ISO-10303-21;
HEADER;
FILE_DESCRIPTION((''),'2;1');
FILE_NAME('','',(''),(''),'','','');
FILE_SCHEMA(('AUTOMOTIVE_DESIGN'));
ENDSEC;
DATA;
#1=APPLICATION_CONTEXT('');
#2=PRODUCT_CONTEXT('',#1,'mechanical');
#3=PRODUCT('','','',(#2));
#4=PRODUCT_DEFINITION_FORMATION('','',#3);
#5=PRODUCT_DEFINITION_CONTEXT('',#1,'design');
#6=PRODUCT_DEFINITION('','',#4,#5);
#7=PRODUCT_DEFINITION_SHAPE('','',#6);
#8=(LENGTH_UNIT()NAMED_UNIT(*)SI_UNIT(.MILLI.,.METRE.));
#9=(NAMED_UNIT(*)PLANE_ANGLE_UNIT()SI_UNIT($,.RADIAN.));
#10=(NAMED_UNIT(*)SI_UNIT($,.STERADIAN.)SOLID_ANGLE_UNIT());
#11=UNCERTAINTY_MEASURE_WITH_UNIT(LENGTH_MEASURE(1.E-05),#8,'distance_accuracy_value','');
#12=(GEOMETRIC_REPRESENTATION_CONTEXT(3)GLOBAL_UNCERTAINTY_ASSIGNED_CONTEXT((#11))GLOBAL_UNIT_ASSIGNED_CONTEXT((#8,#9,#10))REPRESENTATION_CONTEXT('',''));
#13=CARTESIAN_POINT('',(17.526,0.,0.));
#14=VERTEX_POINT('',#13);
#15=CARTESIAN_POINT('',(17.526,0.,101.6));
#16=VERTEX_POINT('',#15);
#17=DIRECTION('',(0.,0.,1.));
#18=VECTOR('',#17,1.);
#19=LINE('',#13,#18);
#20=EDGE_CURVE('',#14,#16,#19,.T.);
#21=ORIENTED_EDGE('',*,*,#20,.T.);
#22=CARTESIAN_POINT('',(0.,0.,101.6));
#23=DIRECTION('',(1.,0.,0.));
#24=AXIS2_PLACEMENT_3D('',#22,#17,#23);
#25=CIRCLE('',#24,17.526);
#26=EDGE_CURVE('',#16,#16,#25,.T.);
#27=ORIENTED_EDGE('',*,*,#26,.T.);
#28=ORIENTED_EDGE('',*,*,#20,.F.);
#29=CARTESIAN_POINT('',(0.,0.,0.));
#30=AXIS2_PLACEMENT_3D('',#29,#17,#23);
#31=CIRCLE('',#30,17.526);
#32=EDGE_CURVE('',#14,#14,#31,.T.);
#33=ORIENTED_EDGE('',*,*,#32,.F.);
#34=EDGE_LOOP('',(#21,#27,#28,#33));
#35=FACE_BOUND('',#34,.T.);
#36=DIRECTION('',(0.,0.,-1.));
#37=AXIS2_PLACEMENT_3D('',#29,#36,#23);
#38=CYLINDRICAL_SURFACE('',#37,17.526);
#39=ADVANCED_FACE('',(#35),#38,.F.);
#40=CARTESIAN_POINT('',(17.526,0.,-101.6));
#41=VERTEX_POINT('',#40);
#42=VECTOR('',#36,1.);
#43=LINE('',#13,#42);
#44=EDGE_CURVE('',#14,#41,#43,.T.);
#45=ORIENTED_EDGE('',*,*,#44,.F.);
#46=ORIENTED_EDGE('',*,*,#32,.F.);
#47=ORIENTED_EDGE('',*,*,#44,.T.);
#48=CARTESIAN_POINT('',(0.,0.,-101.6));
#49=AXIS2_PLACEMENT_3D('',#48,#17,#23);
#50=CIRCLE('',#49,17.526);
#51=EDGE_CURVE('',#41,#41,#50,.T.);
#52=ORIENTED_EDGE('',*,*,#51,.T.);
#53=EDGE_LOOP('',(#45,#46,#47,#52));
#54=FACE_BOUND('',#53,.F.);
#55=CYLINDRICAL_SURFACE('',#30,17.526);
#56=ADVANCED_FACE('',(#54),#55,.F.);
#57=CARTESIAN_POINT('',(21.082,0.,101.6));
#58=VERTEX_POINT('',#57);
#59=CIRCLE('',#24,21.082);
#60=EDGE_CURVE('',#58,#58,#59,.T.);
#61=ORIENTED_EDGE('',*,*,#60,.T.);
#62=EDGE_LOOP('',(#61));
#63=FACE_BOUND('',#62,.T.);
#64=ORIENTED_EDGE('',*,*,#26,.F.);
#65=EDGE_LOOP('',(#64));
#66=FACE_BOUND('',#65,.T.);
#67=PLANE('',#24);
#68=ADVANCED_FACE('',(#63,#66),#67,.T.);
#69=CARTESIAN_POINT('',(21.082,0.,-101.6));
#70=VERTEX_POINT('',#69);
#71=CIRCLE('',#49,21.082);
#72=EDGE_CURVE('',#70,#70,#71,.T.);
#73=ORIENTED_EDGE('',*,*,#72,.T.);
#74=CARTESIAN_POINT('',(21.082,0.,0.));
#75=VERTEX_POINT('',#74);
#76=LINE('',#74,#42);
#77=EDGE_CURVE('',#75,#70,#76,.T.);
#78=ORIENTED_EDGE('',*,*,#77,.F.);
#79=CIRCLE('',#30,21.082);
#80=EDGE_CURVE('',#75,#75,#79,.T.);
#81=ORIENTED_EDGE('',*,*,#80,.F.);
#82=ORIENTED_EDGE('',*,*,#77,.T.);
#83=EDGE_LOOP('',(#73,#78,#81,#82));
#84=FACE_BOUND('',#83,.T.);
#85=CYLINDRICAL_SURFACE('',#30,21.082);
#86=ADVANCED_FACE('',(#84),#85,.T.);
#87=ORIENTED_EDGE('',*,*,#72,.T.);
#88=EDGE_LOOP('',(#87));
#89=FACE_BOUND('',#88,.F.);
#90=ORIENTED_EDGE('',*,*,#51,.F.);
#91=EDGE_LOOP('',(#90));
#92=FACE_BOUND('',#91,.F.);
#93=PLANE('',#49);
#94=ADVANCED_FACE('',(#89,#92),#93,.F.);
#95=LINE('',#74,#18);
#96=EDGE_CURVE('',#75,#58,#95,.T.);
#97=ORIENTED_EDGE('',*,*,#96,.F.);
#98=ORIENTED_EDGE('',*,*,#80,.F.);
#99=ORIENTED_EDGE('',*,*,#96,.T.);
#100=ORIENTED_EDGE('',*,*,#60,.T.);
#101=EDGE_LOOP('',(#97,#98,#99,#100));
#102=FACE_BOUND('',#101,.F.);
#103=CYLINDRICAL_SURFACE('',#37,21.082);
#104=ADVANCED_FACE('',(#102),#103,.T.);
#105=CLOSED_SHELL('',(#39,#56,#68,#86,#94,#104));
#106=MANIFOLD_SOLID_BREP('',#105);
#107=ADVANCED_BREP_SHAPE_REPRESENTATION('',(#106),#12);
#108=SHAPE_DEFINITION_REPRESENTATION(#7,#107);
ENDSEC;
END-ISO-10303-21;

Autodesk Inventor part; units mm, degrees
ref_plane "YZ Plane" through (0, 0, 0) normal (1, 0, 0) x (0, 1, 0)
ref_plane "XZ Plane" through (0, 0, 0) normal (0, 1, 0) x (-1, 0, 0)
sketch "Sketch1" plane through (0, 0, 0) normal (0, 0, 1) x (1, 0, 0)
  circle A0 centre (0, 0) radius 17.526
  circle A1 centre (0, 0) radius 21.082
  dimension "d0" = 35.052
  dimension "d1" = 42.164
extrude "Extrusion1" add sketch "Sketch1" along normal mid plane 203.2
properties part number "switchHangingPipe" material "Iron, Gray"
